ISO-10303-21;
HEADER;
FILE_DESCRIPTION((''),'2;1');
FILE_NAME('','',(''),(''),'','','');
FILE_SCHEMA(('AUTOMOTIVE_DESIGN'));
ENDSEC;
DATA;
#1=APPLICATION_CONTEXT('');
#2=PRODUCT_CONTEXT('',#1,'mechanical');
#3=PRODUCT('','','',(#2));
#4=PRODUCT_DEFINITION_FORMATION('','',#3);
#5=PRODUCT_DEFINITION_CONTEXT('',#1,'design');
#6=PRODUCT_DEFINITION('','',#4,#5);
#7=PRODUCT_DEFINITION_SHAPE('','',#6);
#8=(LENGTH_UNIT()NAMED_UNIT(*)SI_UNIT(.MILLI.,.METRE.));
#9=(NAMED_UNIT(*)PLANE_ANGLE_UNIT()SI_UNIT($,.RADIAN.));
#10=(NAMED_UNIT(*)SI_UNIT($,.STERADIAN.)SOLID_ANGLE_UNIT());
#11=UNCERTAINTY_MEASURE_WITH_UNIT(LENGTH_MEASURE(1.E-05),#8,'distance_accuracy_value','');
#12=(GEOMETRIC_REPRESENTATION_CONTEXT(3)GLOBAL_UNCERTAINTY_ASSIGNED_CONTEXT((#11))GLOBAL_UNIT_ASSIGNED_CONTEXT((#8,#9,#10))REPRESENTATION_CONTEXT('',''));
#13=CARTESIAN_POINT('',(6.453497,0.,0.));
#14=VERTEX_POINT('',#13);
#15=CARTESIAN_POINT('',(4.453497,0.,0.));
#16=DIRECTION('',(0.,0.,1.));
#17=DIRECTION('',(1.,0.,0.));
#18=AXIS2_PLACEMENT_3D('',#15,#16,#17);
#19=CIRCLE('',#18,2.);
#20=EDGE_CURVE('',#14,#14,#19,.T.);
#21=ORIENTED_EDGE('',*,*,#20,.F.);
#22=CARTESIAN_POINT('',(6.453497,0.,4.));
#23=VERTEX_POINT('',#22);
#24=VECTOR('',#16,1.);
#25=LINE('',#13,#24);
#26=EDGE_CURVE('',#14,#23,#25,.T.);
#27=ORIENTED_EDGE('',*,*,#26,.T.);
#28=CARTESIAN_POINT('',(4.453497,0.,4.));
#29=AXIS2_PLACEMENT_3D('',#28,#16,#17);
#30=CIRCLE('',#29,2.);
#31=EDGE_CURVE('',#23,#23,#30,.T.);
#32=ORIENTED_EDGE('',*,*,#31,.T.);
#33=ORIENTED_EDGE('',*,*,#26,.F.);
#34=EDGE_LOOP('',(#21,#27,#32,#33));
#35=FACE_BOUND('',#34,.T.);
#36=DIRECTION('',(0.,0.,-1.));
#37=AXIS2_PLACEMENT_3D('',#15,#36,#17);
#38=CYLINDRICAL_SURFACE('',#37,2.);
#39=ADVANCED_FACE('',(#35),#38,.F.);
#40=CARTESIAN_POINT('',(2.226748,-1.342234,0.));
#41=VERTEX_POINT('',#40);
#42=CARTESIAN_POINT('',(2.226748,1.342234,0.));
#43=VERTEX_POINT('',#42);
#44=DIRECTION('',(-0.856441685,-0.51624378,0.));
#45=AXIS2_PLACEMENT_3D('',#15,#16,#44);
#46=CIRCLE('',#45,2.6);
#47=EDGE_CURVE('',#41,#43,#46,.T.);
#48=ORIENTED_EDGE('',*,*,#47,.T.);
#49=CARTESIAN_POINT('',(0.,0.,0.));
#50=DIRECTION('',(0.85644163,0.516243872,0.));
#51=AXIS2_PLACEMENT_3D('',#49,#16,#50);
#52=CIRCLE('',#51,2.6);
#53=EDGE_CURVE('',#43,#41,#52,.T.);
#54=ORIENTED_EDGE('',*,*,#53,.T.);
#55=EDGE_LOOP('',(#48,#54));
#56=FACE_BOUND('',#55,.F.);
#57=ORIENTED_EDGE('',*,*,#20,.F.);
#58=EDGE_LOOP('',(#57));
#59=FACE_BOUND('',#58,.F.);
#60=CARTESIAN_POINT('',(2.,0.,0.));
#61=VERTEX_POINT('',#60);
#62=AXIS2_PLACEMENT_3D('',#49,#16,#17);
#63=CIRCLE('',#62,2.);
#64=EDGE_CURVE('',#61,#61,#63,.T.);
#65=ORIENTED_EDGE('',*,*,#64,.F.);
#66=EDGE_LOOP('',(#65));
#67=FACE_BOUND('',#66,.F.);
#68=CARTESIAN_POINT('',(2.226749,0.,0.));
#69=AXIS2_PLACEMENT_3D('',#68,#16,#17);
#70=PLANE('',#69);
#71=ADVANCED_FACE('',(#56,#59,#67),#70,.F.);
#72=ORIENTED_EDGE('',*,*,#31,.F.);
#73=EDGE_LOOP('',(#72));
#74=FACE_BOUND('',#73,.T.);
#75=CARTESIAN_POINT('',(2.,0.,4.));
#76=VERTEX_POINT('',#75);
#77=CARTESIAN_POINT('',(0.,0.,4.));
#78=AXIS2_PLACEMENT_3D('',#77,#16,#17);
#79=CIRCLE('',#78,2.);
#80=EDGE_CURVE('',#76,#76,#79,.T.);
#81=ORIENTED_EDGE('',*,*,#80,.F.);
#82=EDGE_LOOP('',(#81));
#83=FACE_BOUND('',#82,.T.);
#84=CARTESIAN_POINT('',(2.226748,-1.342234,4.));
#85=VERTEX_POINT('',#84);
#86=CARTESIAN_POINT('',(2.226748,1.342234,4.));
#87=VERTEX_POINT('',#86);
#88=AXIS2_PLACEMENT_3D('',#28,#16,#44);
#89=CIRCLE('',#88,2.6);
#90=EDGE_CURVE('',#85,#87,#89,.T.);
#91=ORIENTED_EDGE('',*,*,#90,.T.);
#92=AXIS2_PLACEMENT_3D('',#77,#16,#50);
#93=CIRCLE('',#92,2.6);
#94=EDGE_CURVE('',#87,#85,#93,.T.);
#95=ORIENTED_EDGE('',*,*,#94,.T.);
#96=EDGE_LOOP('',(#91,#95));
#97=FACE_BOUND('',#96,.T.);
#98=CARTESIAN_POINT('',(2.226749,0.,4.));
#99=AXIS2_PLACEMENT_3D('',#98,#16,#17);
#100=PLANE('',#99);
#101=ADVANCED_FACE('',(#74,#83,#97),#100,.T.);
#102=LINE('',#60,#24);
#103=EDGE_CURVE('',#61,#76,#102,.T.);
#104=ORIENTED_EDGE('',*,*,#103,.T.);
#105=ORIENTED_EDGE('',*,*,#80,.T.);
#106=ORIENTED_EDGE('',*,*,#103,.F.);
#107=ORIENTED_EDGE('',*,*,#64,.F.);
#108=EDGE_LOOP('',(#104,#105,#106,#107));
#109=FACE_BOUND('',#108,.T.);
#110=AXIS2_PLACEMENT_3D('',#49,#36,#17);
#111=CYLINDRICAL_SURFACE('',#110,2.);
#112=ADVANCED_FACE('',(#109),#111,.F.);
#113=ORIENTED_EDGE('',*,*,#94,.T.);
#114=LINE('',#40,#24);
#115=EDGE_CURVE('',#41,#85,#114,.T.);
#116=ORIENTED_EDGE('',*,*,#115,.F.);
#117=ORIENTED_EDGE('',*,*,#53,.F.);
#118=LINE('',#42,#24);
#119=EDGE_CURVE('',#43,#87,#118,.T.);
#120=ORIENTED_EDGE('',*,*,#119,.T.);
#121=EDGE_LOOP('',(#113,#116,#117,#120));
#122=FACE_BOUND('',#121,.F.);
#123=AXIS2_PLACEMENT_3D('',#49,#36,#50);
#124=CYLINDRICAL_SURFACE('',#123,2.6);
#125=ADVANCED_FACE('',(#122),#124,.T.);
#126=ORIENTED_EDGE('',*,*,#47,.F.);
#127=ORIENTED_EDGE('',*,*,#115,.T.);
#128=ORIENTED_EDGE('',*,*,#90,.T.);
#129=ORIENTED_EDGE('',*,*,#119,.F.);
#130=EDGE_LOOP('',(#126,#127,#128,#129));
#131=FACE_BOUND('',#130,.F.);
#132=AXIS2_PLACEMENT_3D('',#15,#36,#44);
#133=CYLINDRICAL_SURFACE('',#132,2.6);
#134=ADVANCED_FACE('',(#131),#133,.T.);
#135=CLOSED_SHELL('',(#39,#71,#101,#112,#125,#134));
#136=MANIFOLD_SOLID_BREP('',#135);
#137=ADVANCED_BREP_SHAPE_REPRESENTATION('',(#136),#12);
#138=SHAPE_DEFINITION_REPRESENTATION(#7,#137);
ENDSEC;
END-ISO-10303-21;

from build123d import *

# Parameters (mm, degrees)
F0_R     = 2
F1_DEPTH = 4


with BuildPart() as f1:
    # F0 (on Top) → F1 (new body)
    with BuildSketch(Plane.XY):
        with BuildLine():
            ThreePointArc((2.226748, -1.342234), (7.053497, 0), (2.226748, 1.342234))
            ThreePointArc((2.226748, 1.342234), (-2.6, 0), (2.226748, -1.342234))
        make_face()
        Circle(F0_R, mode=Mode.SUBTRACT)
        with Locations((4.453497, 0)):
            Circle(F0_R, mode=Mode.SUBTRACT)
    extrude(amount=F1_DEPTH)


solid = f1.part
